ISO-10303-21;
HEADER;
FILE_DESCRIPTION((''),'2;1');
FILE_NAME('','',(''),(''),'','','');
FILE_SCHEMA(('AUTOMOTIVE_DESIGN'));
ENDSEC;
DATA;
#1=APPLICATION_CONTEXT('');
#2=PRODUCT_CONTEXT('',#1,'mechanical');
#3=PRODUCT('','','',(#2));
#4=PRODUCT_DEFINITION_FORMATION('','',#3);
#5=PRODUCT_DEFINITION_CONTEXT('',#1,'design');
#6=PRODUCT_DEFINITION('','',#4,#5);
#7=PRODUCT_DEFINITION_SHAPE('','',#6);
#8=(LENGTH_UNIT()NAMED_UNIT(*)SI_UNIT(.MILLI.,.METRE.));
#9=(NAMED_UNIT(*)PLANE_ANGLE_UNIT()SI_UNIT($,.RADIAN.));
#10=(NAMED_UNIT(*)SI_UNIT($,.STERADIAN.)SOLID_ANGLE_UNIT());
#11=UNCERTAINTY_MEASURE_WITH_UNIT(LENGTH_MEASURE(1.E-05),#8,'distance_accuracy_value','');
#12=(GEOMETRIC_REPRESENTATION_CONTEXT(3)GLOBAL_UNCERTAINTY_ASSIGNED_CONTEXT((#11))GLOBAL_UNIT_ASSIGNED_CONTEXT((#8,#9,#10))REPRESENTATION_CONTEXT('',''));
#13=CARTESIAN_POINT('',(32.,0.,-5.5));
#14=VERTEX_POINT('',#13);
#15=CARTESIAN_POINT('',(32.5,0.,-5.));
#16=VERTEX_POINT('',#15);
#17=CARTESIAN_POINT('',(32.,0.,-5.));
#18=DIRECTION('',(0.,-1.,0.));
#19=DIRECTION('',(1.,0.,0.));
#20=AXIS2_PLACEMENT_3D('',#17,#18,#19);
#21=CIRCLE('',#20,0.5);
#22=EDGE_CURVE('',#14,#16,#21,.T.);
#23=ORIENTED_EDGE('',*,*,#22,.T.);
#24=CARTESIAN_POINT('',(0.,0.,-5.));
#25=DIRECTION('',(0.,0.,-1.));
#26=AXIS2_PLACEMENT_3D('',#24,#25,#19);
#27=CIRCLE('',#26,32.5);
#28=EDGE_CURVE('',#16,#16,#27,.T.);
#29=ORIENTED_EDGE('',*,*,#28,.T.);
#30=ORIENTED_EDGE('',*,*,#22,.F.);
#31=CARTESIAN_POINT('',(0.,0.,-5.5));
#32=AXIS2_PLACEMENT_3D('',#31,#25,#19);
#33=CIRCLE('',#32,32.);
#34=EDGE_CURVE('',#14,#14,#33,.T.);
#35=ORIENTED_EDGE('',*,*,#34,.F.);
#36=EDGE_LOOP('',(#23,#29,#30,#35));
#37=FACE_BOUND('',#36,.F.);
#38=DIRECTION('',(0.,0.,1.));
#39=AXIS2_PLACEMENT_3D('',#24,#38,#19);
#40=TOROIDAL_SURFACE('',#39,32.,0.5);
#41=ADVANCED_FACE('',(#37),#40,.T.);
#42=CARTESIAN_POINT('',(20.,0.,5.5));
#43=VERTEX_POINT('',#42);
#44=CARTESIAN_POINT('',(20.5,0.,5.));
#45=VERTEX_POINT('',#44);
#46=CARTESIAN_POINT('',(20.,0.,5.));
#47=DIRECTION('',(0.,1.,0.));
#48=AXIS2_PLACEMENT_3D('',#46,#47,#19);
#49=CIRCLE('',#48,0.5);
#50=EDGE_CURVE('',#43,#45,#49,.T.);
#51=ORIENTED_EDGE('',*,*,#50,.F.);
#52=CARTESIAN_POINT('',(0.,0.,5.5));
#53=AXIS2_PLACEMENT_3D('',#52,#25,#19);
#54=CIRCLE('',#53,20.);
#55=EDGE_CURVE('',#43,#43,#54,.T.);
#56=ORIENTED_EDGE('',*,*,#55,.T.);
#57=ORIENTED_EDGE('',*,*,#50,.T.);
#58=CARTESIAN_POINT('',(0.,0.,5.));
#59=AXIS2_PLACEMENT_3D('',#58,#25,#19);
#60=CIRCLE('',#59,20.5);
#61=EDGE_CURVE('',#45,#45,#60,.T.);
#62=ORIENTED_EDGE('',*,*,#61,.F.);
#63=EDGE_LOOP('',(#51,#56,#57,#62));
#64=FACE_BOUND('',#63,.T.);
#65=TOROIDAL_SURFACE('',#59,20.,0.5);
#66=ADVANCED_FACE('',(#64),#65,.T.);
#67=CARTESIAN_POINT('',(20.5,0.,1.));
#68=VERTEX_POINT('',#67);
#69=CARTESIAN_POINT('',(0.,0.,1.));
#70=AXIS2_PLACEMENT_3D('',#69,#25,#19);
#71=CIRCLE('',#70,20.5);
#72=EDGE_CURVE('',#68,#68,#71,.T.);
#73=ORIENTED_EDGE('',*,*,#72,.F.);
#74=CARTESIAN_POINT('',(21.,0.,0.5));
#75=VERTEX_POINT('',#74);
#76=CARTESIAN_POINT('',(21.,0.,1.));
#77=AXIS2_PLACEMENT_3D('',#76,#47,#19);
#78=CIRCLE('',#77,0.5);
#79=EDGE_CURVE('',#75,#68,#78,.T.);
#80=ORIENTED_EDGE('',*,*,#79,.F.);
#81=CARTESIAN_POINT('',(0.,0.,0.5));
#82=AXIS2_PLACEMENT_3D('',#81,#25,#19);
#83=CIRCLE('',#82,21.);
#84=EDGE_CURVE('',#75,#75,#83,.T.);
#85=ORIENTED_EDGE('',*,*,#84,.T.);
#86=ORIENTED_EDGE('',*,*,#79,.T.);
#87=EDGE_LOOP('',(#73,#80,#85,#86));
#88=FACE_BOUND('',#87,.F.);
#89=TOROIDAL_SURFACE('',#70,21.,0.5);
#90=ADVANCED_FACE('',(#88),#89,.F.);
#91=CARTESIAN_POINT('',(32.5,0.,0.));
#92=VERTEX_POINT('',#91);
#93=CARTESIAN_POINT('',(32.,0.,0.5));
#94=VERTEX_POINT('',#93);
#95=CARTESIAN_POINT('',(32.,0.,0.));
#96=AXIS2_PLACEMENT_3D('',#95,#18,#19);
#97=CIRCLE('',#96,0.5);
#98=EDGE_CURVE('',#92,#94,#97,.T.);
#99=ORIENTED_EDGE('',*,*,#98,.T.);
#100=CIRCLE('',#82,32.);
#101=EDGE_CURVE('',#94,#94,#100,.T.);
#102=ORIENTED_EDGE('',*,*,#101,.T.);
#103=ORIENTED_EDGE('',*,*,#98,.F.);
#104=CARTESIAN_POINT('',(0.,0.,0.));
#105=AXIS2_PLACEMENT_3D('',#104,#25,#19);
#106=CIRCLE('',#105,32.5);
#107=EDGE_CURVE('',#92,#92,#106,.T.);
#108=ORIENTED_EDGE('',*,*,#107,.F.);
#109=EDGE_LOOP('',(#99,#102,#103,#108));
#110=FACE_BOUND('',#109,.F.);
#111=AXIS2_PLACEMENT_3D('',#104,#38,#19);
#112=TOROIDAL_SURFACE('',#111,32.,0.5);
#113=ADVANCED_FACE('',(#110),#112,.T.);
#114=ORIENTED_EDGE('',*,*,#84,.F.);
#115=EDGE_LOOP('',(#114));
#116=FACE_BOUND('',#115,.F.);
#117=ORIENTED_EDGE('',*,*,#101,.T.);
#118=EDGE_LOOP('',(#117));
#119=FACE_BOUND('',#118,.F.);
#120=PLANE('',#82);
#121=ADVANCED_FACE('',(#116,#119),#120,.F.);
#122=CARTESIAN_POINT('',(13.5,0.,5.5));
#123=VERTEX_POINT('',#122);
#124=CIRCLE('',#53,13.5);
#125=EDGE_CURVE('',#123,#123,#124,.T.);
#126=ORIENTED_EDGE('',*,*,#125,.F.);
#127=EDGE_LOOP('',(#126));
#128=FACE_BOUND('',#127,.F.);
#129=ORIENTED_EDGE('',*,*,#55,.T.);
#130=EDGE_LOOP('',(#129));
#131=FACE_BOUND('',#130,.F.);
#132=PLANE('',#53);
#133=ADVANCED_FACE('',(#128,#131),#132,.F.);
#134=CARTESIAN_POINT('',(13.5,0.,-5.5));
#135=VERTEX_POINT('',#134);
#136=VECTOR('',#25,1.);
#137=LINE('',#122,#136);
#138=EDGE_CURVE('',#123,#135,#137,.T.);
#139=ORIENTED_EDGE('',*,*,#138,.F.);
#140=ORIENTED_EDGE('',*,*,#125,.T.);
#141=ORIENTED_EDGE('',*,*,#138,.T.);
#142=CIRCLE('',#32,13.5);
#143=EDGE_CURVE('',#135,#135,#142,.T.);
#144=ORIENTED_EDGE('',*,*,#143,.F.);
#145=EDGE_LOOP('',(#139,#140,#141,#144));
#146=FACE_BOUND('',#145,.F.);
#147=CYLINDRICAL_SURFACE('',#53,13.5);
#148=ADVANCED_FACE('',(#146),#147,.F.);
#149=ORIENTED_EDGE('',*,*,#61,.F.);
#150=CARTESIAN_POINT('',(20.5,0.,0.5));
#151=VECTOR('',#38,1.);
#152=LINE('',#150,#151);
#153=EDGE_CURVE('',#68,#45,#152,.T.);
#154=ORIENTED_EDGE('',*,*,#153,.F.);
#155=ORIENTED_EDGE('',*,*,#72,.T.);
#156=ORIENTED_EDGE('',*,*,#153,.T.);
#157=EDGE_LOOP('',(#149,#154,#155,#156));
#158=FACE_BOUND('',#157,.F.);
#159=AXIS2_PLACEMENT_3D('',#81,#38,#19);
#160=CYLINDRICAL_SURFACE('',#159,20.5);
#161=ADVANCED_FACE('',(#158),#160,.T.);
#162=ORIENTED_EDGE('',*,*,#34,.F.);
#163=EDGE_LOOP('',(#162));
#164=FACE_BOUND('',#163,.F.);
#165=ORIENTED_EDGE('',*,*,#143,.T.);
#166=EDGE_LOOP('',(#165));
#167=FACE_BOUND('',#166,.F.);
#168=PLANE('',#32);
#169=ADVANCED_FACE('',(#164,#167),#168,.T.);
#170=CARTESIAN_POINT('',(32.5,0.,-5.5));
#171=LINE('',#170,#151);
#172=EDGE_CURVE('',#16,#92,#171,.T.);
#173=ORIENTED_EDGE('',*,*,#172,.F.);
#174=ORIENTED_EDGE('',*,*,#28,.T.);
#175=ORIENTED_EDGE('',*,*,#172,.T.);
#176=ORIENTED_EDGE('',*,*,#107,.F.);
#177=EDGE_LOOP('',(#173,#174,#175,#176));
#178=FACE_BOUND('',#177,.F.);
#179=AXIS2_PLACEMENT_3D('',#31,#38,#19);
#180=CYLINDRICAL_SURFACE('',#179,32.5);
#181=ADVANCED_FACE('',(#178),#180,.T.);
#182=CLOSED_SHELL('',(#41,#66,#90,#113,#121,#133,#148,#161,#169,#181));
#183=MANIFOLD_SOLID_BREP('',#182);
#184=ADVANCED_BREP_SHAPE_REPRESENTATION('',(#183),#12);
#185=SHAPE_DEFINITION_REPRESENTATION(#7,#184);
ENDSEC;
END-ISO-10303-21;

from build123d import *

# Parameters (mm, degrees)
F2_R = 0.5


with BuildPart() as f1:
    # F0 (on Front) → F1 (revolve)
    with BuildSketch(Plane.XZ):
        Polygon((20.5, 5.5), (13.5, 5.5), (13.5, -5.5), (32.5, -5.5), (32.5, 0.5), (20.5, 0.5), align=None)
    revolve(axis=Axis((0, 0, -0.180863), (0, 0, -1)))

    # F2
    f2_edges = [f1.edges().sort_by_distance(p)[0] for p in [
        (-32.5, 0, -5.5),
        (-32.5, 0, 0.5),
        (-20.5, 0, 5.5),
        (-20.5, 0, 0.5),
    ]]
    fillet(f2_edges, radius=F2_R)


solid = f1.part
